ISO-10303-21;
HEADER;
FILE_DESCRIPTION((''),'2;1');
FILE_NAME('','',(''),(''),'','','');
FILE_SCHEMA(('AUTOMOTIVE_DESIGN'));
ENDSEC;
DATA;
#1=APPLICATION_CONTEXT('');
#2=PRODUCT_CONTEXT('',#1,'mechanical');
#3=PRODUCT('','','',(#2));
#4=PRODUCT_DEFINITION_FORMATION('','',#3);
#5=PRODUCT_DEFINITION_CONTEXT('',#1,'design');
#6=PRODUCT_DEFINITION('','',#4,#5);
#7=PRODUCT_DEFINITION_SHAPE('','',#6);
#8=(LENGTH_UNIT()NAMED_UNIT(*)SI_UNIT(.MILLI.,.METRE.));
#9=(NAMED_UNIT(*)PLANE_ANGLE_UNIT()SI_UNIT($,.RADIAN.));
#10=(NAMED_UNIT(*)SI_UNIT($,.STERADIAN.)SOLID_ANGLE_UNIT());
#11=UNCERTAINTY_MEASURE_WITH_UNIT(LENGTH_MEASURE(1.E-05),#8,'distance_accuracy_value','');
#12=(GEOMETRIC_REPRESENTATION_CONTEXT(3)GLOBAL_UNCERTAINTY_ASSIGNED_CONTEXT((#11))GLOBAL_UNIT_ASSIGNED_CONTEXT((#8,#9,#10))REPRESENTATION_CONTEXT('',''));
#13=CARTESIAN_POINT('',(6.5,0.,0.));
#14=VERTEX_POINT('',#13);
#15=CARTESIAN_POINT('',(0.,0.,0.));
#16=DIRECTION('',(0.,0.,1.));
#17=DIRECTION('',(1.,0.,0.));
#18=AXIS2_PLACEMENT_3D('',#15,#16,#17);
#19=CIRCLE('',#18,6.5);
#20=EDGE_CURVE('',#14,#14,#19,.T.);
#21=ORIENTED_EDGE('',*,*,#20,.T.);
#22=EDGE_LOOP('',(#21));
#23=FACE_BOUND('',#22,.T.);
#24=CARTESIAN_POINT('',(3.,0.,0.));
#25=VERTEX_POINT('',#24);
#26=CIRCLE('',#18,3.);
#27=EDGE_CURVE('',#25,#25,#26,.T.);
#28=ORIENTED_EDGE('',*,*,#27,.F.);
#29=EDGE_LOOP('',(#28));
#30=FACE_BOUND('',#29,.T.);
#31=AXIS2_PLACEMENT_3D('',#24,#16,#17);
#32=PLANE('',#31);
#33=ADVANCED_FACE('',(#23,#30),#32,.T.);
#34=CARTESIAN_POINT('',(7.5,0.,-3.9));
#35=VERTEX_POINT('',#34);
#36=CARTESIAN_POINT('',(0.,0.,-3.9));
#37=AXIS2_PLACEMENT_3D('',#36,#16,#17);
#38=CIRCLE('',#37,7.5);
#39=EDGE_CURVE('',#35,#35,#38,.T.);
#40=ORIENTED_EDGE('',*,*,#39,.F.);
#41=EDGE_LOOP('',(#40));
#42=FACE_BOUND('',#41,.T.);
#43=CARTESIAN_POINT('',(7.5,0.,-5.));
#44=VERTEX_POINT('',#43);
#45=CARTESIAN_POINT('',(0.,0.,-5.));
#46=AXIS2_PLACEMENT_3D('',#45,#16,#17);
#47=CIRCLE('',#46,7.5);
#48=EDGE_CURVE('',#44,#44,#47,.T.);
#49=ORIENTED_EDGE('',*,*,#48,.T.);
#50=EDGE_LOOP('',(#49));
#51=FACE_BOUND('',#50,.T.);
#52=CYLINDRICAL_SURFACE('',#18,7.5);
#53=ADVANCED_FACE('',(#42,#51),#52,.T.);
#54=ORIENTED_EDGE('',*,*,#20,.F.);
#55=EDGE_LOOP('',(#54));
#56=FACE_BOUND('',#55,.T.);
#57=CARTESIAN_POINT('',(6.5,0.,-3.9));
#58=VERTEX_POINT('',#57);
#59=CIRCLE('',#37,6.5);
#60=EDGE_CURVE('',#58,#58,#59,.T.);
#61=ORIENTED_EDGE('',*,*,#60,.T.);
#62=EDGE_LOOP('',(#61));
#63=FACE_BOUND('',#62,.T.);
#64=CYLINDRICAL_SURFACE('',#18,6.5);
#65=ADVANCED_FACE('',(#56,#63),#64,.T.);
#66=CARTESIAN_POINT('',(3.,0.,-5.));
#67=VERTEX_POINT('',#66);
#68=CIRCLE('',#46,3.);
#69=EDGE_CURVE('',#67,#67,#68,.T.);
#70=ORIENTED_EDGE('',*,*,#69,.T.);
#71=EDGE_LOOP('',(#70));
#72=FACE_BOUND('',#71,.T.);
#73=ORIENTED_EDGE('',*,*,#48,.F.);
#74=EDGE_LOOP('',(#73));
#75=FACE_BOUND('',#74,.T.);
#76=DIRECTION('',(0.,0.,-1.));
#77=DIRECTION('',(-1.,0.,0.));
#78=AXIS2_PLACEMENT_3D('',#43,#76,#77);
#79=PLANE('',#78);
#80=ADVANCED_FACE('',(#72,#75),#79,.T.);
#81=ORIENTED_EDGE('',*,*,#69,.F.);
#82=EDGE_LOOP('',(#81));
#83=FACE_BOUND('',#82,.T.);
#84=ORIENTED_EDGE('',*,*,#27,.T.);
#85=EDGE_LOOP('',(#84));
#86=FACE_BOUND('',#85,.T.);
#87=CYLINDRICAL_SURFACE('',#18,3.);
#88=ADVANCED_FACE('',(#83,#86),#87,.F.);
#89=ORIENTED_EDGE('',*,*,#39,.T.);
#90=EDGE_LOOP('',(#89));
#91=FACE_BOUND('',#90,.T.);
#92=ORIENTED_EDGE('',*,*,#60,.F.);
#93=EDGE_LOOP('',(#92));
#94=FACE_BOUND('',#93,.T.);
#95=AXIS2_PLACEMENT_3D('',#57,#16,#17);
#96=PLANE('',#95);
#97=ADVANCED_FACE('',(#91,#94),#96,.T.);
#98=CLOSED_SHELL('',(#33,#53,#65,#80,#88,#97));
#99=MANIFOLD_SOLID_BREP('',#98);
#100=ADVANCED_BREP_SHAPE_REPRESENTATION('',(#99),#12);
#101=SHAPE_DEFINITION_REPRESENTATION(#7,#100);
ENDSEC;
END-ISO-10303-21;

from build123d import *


with BuildPart() as part:
    # 草图1 → 旋转1 (revolve)
    with BuildSketch(Plane(origin=(0, 0, 0), x_dir=(1, 0, 0), z_dir=(0, 1, 0))):
        Polygon((3, 0), (6.5, 0), (6.5, 3.9), (7.5, 3.9), (7.5, 5), (3, 5), align=None)
    revolve(axis=Axis((0, 0, 0), (0, 0, -1)))


solid = part.part
